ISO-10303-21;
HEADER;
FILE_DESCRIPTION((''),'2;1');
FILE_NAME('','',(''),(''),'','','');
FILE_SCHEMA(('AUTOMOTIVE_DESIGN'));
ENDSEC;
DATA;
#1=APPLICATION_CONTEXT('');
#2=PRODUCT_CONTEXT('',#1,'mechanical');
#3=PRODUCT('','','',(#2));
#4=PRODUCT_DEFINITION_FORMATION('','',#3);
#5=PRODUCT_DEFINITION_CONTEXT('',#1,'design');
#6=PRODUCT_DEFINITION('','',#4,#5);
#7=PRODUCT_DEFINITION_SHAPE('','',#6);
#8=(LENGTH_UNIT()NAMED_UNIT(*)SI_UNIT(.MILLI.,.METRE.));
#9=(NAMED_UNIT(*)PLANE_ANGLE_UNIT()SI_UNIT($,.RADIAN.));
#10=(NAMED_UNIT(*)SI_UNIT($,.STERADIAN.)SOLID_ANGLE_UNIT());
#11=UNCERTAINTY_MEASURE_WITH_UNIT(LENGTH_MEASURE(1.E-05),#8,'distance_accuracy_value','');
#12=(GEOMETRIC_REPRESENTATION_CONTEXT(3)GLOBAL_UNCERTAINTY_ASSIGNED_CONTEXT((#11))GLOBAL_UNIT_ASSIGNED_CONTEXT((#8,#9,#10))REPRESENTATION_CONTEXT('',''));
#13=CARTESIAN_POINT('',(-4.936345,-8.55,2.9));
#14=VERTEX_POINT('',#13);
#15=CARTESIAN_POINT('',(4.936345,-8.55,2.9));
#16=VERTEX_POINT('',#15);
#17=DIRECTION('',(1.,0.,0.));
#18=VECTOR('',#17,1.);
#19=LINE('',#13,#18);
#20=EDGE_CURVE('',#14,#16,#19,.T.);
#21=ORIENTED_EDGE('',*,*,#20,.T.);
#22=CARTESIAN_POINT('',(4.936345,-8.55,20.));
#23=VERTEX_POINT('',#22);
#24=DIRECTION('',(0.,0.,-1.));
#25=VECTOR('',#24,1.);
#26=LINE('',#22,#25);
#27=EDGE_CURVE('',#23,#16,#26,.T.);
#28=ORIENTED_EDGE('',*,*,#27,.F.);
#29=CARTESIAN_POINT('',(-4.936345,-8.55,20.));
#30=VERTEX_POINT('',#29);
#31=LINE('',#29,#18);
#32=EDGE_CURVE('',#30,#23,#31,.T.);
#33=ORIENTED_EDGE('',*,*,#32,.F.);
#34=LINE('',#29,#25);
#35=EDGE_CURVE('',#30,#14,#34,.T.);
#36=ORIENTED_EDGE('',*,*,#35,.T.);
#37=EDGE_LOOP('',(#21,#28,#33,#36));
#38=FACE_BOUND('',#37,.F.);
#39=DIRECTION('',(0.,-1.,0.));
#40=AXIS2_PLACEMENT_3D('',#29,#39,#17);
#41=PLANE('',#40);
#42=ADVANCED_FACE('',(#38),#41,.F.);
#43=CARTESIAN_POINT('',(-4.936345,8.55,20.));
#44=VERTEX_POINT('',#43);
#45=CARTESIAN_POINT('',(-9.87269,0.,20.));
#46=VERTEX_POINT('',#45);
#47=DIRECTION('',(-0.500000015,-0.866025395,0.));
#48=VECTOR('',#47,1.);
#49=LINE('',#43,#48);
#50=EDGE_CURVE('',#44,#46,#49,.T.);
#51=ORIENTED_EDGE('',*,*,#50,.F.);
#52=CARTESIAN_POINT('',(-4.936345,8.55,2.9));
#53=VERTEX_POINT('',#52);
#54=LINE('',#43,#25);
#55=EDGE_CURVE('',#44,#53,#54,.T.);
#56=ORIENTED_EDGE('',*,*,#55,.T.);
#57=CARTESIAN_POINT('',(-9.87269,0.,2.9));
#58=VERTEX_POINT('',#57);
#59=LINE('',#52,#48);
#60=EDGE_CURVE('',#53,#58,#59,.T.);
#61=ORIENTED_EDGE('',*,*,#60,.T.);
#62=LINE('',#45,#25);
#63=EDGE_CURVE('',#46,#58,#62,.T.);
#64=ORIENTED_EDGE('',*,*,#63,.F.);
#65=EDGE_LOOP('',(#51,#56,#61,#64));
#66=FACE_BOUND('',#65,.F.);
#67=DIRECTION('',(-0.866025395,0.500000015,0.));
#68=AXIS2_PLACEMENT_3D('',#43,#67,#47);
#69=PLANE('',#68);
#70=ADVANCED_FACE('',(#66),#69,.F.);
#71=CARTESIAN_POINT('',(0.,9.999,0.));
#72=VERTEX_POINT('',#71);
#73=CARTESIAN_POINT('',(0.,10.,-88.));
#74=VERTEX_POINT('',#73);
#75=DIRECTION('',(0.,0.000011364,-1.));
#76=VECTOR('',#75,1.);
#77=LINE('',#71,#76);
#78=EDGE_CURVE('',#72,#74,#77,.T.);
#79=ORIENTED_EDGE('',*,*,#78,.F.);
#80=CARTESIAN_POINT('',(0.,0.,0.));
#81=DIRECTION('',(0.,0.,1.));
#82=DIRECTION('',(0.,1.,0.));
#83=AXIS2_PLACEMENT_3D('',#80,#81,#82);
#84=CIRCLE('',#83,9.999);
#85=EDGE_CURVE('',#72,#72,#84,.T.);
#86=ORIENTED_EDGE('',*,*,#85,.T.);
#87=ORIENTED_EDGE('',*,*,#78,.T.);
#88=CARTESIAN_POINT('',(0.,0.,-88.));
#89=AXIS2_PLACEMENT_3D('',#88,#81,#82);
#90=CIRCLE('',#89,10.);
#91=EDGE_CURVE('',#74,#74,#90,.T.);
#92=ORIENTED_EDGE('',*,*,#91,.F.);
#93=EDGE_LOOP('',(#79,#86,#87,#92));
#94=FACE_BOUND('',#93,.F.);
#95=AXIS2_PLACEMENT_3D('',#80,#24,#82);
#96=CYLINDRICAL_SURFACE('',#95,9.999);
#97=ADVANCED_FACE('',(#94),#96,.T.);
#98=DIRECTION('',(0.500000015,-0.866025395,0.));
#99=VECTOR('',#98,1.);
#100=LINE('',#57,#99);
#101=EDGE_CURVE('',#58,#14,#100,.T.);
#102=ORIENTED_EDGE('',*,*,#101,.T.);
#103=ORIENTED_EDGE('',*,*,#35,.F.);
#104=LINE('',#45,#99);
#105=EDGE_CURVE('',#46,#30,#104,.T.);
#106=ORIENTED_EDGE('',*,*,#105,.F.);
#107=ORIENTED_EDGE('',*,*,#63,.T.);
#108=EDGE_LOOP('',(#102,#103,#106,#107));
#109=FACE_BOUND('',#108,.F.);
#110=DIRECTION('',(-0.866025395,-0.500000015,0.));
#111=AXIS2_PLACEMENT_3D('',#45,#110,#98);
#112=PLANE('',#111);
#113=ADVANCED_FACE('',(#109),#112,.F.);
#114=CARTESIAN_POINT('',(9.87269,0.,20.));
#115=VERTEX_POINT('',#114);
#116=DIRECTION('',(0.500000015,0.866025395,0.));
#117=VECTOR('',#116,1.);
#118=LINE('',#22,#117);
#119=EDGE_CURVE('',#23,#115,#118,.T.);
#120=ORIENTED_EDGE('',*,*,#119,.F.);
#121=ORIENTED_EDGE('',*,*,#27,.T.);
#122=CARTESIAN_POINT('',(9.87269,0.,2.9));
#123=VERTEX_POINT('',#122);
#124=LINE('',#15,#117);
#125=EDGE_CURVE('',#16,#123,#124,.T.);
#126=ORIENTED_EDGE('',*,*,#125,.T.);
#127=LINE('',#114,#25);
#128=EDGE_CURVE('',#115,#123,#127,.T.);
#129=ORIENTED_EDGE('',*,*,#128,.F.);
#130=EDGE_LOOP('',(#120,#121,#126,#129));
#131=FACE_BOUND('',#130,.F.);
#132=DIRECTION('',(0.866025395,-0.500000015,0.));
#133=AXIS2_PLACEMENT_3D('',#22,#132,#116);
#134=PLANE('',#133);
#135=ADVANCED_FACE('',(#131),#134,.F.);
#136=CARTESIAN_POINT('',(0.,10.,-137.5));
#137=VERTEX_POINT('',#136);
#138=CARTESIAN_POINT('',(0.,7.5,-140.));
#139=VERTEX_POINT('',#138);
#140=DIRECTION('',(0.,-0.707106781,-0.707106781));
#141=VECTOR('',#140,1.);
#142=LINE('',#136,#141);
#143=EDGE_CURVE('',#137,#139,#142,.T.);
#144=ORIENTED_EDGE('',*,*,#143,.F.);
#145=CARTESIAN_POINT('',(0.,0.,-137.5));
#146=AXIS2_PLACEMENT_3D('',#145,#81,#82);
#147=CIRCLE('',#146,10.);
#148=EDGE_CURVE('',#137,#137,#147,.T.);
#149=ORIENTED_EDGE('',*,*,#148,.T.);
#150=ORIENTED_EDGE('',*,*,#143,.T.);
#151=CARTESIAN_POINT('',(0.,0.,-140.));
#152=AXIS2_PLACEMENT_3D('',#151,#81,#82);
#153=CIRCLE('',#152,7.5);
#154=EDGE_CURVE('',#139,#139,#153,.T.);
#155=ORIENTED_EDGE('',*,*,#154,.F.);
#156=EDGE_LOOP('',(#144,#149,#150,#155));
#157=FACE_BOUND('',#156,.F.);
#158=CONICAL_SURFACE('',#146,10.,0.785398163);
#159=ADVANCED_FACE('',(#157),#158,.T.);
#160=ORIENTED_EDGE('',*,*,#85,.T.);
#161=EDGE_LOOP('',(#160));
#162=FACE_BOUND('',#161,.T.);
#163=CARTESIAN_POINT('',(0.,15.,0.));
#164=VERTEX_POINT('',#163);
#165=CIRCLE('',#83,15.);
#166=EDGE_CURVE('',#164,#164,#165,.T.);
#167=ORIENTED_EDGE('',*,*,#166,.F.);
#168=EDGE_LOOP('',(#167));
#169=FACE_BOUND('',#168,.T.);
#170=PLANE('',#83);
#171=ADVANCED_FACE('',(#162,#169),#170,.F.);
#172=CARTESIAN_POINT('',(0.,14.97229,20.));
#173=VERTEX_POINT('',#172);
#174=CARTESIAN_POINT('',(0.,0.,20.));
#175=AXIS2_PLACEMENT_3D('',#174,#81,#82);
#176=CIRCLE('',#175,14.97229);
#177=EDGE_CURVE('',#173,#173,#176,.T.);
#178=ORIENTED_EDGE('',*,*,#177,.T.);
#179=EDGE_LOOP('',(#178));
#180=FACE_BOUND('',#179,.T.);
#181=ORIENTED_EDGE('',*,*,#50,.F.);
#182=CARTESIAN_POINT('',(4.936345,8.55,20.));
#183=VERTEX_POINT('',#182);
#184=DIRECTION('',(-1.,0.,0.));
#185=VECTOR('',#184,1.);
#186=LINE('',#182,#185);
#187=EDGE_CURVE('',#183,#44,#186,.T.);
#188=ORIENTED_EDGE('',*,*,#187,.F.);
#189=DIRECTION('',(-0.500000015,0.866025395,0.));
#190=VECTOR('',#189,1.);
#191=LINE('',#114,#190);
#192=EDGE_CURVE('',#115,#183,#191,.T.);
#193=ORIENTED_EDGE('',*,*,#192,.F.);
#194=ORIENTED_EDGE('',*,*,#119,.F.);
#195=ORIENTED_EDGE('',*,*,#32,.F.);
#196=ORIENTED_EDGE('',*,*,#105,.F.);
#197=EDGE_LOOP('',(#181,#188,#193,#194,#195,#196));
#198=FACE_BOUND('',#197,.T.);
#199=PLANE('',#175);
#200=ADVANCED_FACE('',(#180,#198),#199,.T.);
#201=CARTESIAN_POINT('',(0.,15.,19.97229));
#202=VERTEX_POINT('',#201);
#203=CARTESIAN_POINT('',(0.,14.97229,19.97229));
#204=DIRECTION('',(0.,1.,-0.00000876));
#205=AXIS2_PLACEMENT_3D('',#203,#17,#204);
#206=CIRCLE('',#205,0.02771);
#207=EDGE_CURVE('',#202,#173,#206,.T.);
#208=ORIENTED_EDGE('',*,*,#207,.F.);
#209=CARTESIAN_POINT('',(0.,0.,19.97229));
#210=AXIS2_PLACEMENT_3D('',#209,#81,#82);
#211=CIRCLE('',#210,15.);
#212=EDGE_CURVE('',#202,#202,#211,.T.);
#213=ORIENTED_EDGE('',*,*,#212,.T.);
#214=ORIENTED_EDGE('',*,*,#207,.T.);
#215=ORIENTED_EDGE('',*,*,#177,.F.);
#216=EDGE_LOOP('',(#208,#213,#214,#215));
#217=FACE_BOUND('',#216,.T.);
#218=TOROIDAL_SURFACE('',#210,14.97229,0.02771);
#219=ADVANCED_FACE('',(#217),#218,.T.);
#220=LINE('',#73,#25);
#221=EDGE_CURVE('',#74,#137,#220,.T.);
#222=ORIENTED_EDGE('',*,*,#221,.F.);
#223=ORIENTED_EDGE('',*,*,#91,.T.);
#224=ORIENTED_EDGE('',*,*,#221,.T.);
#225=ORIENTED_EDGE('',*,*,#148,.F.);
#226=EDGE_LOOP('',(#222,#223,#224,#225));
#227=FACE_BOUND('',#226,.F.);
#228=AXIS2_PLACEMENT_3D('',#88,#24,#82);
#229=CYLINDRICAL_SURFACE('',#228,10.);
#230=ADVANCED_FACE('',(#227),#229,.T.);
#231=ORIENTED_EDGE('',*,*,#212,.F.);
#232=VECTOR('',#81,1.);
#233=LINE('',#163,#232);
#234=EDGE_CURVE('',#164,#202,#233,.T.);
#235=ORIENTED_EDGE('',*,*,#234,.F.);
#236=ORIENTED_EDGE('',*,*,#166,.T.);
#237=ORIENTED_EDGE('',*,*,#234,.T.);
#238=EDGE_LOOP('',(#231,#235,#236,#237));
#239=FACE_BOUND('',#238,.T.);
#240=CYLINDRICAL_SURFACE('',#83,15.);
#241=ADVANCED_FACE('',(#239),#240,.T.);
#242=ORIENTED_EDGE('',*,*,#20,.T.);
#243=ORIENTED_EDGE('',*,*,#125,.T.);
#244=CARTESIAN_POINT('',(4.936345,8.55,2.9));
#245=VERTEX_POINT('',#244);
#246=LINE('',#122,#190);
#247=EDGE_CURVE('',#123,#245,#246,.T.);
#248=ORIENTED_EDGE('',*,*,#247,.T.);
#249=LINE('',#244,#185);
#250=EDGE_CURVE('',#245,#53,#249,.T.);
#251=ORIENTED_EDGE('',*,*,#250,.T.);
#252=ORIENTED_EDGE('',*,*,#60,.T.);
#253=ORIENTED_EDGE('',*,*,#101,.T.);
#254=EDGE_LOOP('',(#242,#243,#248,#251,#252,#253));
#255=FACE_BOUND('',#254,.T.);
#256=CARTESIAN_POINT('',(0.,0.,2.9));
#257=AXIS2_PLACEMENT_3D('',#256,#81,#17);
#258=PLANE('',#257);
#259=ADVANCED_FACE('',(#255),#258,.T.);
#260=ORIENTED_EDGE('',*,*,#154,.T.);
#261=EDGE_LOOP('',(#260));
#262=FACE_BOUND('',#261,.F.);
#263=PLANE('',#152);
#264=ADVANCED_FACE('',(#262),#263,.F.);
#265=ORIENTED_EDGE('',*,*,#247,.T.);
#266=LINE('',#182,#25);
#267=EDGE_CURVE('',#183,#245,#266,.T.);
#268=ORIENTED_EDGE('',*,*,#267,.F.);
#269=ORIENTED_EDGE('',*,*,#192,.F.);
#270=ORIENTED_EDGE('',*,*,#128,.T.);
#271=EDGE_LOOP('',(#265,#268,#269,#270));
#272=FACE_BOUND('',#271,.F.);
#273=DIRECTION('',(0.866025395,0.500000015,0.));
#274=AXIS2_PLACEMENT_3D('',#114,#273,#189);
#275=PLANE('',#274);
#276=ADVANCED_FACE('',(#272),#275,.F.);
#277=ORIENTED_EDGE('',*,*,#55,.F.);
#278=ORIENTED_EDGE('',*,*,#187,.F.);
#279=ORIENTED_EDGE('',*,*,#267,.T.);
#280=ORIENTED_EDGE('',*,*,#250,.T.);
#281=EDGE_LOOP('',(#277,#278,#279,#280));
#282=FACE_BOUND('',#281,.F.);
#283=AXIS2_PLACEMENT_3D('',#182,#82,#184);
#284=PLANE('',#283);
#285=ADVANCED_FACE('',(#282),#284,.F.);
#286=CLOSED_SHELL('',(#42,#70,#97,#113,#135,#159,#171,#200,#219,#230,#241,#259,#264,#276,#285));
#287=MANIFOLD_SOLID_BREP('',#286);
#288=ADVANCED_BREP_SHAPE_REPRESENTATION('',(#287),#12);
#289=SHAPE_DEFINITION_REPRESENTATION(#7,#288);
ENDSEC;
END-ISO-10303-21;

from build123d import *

# Parameters (mm, degrees)
POCKET_DEPTH = 17.1


with BuildPart() as part:
    # Sketch → Revolve (revolve)
    with BuildSketch(Plane.YZ):
        with BuildLine():
            Line((9.999, 0), (15, 0))
            Line((15, 0), (15, 19.97229))
            ThreePointArc((15, 19.97229), (14.991884, 19.991884), (14.97229, 20))
            Line((14.97229, 20), (0, 20))
            Line((0, -140), (0, 20))
            Line((7.5, -140), (0, -140))
            Line((10, -137.5), (7.5, -140))
            Line((10, -88), (10, -137.5))
            Line((9.999, 0), (10, -88))
        make_face()
    revolve(axis=Axis((0, 0, 0), (0, 0, 1)))

    # Sketch001 → Pocket (cut)
    with BuildSketch(Plane.XY.offset(20)):
        Polygon((9.87269, 0), (4.936345, 8.55), (-4.936345, 8.55), (-9.87269, 0), (-4.936345, -8.55), (4.936345, -8.55), align=None)
    extrude(amount=-POCKET_DEPTH, mode=Mode.SUBTRACT)


solid = part.part
